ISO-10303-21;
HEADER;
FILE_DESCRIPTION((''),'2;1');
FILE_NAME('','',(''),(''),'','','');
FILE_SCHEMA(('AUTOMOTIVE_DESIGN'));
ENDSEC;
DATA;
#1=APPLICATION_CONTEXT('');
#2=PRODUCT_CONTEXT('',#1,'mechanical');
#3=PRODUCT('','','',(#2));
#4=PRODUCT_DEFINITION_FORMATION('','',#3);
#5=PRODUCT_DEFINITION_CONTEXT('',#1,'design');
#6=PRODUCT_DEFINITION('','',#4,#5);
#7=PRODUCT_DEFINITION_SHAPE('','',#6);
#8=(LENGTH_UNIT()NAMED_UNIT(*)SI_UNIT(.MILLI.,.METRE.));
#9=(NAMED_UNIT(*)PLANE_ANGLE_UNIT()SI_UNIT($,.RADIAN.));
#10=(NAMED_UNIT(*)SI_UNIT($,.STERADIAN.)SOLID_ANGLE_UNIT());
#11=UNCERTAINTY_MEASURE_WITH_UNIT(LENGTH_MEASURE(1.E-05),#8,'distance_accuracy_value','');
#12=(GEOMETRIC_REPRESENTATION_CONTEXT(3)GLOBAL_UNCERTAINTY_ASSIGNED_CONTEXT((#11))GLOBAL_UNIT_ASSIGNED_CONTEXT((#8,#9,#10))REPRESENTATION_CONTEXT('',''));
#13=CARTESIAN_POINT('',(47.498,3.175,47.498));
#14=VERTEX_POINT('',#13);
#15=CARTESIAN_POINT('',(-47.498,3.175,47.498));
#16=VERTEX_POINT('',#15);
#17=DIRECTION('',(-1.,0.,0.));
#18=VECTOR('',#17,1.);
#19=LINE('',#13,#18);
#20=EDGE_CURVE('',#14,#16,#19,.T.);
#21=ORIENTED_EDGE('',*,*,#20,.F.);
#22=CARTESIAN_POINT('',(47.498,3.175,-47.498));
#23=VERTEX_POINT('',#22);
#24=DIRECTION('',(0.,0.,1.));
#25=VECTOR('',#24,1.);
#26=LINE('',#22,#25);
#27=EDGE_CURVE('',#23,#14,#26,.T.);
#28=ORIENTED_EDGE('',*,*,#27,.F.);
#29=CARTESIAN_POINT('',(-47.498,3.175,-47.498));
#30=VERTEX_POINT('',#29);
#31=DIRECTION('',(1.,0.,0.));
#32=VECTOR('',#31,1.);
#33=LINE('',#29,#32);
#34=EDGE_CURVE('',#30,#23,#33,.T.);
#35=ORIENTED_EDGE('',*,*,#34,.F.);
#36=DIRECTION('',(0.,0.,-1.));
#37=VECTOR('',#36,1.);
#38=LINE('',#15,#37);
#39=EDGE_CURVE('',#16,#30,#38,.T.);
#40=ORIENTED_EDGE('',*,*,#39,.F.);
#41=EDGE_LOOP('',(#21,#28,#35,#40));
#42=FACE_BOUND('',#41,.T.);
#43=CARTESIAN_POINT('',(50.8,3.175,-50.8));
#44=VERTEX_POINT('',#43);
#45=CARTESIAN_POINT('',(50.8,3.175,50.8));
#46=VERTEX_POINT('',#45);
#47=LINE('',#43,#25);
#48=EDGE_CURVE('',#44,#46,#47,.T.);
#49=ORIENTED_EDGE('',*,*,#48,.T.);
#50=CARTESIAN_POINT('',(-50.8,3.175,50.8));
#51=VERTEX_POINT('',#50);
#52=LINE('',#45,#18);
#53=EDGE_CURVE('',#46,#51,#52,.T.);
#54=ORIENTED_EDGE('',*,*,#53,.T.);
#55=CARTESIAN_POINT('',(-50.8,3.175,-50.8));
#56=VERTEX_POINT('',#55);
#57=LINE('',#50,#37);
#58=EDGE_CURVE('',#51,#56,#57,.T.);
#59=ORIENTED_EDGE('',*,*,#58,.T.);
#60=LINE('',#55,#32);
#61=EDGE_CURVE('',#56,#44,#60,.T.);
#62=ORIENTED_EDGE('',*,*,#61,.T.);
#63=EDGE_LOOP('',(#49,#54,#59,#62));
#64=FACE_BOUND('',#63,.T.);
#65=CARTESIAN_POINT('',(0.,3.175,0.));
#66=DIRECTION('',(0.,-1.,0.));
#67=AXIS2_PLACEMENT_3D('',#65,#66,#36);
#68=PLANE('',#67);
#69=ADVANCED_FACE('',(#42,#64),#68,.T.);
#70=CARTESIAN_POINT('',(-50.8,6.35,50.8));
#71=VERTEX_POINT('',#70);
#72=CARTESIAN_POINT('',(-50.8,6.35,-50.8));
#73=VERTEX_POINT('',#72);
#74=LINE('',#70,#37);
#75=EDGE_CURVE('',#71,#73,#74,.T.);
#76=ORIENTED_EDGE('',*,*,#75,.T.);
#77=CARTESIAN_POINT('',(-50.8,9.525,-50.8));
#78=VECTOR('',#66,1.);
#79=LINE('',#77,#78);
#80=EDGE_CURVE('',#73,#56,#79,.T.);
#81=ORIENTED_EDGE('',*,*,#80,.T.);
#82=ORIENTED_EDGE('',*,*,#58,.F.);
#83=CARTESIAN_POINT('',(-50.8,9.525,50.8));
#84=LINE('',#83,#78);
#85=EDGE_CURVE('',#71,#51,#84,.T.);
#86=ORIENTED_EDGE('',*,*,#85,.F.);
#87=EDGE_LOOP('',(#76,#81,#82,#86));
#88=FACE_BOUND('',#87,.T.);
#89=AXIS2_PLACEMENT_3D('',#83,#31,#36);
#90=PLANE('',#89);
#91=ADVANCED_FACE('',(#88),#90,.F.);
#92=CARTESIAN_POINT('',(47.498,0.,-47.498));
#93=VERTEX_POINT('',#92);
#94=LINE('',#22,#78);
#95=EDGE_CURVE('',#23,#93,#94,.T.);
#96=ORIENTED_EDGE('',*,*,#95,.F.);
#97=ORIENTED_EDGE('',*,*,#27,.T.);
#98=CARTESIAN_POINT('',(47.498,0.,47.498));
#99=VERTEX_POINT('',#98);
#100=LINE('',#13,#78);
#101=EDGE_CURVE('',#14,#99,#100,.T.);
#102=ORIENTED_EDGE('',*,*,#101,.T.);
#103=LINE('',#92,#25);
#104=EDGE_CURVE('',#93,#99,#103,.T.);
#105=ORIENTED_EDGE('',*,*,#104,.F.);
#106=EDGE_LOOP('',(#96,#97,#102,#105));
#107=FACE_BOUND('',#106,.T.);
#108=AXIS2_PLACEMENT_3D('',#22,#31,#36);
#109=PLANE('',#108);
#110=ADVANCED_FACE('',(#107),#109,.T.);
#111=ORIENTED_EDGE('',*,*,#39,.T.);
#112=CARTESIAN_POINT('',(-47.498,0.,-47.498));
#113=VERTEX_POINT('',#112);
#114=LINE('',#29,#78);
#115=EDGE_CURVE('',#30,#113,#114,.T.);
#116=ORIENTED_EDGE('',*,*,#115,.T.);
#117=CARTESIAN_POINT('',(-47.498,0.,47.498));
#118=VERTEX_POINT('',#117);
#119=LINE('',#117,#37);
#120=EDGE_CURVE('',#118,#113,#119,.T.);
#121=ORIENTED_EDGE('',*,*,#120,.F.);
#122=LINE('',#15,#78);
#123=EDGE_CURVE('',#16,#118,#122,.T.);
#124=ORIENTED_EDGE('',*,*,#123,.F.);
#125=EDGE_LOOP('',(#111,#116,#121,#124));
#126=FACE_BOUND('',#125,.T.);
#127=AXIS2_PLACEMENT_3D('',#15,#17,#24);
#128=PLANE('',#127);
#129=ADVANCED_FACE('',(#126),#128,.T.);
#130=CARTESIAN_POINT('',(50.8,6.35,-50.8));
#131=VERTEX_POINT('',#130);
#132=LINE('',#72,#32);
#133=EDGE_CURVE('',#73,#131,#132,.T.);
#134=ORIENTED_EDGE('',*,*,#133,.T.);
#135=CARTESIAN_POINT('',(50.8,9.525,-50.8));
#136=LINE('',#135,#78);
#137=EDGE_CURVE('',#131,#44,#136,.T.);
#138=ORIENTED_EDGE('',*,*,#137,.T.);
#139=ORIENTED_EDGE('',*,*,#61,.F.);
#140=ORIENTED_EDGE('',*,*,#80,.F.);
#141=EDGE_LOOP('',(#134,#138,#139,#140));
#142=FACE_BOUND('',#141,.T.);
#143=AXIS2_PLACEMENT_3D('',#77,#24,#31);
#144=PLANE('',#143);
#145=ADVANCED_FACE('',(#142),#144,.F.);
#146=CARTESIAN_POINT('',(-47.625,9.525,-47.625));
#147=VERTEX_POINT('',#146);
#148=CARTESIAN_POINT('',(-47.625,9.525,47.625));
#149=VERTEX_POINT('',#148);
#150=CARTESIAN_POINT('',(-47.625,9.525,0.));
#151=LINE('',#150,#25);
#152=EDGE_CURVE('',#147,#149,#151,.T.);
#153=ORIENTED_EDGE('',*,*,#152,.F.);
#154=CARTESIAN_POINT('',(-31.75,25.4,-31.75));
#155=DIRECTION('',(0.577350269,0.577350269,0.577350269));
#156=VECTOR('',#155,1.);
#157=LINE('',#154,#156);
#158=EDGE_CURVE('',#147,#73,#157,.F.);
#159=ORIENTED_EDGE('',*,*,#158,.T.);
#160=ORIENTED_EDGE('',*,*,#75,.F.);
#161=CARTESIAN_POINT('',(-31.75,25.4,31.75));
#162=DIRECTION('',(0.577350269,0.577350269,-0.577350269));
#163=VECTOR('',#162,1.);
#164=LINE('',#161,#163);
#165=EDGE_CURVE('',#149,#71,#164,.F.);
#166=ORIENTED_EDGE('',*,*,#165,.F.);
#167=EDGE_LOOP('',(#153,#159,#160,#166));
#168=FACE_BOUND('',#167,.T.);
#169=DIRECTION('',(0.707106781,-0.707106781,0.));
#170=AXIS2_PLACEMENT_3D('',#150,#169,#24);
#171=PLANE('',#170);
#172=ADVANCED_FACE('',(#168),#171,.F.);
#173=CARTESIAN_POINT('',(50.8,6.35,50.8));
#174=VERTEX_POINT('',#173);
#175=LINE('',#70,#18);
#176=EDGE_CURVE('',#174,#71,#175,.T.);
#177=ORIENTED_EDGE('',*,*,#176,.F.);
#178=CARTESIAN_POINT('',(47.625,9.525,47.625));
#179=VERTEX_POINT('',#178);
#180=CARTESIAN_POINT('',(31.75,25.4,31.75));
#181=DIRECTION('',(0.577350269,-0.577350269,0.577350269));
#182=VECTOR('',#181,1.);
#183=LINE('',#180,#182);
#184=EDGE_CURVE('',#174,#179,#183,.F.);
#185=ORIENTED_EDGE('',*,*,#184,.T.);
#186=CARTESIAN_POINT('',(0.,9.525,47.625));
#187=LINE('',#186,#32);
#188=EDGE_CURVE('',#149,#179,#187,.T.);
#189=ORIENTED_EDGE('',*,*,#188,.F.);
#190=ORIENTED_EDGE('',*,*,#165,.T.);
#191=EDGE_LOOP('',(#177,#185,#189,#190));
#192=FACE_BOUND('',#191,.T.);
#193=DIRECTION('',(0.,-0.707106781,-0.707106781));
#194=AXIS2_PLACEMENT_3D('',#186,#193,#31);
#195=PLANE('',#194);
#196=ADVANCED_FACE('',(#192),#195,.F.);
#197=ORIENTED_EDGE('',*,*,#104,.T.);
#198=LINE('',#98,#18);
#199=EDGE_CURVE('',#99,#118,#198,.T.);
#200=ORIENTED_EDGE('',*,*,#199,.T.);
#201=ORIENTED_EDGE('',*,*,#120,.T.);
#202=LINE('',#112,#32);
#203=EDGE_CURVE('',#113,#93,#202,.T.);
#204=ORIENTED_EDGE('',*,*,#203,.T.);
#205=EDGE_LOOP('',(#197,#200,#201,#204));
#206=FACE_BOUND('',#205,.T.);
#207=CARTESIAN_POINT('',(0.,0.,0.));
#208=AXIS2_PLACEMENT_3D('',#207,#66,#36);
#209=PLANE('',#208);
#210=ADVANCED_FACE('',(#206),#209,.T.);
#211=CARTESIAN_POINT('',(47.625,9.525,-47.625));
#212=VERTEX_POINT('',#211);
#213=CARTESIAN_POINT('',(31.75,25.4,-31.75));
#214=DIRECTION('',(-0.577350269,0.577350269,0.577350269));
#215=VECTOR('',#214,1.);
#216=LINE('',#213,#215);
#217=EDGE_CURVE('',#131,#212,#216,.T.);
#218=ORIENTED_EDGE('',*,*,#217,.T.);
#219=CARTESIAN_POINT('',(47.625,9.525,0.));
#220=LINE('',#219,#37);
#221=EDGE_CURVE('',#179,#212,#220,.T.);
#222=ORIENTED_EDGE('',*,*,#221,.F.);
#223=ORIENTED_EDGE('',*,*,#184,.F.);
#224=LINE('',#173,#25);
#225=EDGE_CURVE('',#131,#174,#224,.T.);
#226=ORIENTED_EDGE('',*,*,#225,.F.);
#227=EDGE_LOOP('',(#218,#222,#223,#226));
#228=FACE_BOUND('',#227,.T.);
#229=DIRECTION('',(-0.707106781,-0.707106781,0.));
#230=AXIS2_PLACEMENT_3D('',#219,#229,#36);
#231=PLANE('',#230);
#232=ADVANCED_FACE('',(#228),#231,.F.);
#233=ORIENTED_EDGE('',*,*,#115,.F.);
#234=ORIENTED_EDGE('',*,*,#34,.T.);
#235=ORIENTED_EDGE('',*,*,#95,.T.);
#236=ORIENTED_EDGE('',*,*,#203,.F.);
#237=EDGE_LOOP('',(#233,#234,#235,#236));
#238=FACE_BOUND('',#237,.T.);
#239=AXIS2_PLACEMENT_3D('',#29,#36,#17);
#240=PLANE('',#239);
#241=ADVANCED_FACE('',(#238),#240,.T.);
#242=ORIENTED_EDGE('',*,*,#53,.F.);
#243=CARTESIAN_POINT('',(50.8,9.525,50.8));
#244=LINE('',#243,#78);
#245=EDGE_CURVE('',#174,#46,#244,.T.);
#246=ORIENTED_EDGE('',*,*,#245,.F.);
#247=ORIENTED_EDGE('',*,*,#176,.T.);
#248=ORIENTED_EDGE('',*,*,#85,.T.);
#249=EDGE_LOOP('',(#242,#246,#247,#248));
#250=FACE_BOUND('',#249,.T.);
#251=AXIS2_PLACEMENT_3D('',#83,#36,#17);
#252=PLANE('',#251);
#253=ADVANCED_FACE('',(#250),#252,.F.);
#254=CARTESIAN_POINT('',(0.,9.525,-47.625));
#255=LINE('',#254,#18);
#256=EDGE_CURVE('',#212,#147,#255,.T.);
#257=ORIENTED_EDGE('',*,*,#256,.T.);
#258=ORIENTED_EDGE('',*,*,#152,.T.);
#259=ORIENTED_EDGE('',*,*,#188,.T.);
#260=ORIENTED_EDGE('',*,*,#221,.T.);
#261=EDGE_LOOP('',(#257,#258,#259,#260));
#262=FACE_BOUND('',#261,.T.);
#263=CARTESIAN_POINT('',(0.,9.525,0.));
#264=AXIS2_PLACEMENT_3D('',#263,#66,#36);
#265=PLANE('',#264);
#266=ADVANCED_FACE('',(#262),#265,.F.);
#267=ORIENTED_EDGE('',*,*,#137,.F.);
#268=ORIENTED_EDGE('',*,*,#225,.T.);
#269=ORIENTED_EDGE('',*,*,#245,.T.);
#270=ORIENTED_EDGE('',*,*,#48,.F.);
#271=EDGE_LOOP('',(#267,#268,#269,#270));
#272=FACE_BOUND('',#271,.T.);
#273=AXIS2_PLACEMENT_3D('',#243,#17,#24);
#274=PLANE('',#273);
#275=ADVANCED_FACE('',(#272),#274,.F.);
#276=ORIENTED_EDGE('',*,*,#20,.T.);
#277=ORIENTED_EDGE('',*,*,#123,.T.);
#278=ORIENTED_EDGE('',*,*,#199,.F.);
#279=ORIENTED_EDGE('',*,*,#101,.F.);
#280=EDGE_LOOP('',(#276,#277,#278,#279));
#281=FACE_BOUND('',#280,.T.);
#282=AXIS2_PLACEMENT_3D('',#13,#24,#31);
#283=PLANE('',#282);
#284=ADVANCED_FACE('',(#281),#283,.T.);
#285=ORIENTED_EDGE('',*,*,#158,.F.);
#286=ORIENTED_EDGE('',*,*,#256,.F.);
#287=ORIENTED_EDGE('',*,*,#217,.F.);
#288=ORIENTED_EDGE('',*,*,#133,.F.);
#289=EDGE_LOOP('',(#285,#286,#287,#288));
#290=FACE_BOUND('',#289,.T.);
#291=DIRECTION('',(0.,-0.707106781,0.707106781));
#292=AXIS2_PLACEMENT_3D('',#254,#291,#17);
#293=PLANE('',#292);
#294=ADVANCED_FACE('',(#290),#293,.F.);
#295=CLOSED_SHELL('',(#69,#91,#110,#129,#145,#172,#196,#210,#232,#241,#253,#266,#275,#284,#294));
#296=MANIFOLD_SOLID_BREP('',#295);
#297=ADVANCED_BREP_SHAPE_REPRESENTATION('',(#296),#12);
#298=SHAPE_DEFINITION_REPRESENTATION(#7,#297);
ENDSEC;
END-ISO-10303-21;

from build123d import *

# Parameters (mm, degrees)
SKETCH1_W           = 101.6
SKETCH1_H           = 101.6
BOSS_EXTRUDE1_DEPTH = 9.525
SKETCH2_W           = 101.6
SKETCH2_H           = 101.6
SKETCH2_W_2         = 94.996
SKETCH2_H_2         = 94.996
CUT_EXTRUDE1_DEPTH  = 3.175
CHAMFER1_SIZE       = 3.175


with BuildPart() as part:
    # Sketch1 → Boss-Extrude1 (new body)
    with BuildSketch(Plane(origin=(0, 0, 0), x_dir=(1, 0, 0), z_dir=(0, 1, 0))):
        Rectangle(SKETCH1_W, SKETCH1_H)
    extrude(amount=BOSS_EXTRUDE1_DEPTH)

    # Sketch2 → Cut-Extrude1 (cut)
    with BuildSketch(Plane.XZ):
        Rectangle(SKETCH2_W, SKETCH2_H)
        Rectangle(SKETCH2_W_2, SKETCH2_H_2, mode=Mode.SUBTRACT)
    extrude(amount=-CUT_EXTRUDE1_DEPTH, mode=Mode.SUBTRACT)

    # Chamfer1
    chamfer1_edges = [part.edges().sort_by_distance(p)[0] for p in [
        (-50.8, 9.525, 0),
        (0, 9.525, 50.8),
        (50.8, 9.525, 0),
        (0, 9.525, -50.8),
    ]]
    chamfer(chamfer1_edges, length=CHAMFER1_SIZE)


solid = part.part
